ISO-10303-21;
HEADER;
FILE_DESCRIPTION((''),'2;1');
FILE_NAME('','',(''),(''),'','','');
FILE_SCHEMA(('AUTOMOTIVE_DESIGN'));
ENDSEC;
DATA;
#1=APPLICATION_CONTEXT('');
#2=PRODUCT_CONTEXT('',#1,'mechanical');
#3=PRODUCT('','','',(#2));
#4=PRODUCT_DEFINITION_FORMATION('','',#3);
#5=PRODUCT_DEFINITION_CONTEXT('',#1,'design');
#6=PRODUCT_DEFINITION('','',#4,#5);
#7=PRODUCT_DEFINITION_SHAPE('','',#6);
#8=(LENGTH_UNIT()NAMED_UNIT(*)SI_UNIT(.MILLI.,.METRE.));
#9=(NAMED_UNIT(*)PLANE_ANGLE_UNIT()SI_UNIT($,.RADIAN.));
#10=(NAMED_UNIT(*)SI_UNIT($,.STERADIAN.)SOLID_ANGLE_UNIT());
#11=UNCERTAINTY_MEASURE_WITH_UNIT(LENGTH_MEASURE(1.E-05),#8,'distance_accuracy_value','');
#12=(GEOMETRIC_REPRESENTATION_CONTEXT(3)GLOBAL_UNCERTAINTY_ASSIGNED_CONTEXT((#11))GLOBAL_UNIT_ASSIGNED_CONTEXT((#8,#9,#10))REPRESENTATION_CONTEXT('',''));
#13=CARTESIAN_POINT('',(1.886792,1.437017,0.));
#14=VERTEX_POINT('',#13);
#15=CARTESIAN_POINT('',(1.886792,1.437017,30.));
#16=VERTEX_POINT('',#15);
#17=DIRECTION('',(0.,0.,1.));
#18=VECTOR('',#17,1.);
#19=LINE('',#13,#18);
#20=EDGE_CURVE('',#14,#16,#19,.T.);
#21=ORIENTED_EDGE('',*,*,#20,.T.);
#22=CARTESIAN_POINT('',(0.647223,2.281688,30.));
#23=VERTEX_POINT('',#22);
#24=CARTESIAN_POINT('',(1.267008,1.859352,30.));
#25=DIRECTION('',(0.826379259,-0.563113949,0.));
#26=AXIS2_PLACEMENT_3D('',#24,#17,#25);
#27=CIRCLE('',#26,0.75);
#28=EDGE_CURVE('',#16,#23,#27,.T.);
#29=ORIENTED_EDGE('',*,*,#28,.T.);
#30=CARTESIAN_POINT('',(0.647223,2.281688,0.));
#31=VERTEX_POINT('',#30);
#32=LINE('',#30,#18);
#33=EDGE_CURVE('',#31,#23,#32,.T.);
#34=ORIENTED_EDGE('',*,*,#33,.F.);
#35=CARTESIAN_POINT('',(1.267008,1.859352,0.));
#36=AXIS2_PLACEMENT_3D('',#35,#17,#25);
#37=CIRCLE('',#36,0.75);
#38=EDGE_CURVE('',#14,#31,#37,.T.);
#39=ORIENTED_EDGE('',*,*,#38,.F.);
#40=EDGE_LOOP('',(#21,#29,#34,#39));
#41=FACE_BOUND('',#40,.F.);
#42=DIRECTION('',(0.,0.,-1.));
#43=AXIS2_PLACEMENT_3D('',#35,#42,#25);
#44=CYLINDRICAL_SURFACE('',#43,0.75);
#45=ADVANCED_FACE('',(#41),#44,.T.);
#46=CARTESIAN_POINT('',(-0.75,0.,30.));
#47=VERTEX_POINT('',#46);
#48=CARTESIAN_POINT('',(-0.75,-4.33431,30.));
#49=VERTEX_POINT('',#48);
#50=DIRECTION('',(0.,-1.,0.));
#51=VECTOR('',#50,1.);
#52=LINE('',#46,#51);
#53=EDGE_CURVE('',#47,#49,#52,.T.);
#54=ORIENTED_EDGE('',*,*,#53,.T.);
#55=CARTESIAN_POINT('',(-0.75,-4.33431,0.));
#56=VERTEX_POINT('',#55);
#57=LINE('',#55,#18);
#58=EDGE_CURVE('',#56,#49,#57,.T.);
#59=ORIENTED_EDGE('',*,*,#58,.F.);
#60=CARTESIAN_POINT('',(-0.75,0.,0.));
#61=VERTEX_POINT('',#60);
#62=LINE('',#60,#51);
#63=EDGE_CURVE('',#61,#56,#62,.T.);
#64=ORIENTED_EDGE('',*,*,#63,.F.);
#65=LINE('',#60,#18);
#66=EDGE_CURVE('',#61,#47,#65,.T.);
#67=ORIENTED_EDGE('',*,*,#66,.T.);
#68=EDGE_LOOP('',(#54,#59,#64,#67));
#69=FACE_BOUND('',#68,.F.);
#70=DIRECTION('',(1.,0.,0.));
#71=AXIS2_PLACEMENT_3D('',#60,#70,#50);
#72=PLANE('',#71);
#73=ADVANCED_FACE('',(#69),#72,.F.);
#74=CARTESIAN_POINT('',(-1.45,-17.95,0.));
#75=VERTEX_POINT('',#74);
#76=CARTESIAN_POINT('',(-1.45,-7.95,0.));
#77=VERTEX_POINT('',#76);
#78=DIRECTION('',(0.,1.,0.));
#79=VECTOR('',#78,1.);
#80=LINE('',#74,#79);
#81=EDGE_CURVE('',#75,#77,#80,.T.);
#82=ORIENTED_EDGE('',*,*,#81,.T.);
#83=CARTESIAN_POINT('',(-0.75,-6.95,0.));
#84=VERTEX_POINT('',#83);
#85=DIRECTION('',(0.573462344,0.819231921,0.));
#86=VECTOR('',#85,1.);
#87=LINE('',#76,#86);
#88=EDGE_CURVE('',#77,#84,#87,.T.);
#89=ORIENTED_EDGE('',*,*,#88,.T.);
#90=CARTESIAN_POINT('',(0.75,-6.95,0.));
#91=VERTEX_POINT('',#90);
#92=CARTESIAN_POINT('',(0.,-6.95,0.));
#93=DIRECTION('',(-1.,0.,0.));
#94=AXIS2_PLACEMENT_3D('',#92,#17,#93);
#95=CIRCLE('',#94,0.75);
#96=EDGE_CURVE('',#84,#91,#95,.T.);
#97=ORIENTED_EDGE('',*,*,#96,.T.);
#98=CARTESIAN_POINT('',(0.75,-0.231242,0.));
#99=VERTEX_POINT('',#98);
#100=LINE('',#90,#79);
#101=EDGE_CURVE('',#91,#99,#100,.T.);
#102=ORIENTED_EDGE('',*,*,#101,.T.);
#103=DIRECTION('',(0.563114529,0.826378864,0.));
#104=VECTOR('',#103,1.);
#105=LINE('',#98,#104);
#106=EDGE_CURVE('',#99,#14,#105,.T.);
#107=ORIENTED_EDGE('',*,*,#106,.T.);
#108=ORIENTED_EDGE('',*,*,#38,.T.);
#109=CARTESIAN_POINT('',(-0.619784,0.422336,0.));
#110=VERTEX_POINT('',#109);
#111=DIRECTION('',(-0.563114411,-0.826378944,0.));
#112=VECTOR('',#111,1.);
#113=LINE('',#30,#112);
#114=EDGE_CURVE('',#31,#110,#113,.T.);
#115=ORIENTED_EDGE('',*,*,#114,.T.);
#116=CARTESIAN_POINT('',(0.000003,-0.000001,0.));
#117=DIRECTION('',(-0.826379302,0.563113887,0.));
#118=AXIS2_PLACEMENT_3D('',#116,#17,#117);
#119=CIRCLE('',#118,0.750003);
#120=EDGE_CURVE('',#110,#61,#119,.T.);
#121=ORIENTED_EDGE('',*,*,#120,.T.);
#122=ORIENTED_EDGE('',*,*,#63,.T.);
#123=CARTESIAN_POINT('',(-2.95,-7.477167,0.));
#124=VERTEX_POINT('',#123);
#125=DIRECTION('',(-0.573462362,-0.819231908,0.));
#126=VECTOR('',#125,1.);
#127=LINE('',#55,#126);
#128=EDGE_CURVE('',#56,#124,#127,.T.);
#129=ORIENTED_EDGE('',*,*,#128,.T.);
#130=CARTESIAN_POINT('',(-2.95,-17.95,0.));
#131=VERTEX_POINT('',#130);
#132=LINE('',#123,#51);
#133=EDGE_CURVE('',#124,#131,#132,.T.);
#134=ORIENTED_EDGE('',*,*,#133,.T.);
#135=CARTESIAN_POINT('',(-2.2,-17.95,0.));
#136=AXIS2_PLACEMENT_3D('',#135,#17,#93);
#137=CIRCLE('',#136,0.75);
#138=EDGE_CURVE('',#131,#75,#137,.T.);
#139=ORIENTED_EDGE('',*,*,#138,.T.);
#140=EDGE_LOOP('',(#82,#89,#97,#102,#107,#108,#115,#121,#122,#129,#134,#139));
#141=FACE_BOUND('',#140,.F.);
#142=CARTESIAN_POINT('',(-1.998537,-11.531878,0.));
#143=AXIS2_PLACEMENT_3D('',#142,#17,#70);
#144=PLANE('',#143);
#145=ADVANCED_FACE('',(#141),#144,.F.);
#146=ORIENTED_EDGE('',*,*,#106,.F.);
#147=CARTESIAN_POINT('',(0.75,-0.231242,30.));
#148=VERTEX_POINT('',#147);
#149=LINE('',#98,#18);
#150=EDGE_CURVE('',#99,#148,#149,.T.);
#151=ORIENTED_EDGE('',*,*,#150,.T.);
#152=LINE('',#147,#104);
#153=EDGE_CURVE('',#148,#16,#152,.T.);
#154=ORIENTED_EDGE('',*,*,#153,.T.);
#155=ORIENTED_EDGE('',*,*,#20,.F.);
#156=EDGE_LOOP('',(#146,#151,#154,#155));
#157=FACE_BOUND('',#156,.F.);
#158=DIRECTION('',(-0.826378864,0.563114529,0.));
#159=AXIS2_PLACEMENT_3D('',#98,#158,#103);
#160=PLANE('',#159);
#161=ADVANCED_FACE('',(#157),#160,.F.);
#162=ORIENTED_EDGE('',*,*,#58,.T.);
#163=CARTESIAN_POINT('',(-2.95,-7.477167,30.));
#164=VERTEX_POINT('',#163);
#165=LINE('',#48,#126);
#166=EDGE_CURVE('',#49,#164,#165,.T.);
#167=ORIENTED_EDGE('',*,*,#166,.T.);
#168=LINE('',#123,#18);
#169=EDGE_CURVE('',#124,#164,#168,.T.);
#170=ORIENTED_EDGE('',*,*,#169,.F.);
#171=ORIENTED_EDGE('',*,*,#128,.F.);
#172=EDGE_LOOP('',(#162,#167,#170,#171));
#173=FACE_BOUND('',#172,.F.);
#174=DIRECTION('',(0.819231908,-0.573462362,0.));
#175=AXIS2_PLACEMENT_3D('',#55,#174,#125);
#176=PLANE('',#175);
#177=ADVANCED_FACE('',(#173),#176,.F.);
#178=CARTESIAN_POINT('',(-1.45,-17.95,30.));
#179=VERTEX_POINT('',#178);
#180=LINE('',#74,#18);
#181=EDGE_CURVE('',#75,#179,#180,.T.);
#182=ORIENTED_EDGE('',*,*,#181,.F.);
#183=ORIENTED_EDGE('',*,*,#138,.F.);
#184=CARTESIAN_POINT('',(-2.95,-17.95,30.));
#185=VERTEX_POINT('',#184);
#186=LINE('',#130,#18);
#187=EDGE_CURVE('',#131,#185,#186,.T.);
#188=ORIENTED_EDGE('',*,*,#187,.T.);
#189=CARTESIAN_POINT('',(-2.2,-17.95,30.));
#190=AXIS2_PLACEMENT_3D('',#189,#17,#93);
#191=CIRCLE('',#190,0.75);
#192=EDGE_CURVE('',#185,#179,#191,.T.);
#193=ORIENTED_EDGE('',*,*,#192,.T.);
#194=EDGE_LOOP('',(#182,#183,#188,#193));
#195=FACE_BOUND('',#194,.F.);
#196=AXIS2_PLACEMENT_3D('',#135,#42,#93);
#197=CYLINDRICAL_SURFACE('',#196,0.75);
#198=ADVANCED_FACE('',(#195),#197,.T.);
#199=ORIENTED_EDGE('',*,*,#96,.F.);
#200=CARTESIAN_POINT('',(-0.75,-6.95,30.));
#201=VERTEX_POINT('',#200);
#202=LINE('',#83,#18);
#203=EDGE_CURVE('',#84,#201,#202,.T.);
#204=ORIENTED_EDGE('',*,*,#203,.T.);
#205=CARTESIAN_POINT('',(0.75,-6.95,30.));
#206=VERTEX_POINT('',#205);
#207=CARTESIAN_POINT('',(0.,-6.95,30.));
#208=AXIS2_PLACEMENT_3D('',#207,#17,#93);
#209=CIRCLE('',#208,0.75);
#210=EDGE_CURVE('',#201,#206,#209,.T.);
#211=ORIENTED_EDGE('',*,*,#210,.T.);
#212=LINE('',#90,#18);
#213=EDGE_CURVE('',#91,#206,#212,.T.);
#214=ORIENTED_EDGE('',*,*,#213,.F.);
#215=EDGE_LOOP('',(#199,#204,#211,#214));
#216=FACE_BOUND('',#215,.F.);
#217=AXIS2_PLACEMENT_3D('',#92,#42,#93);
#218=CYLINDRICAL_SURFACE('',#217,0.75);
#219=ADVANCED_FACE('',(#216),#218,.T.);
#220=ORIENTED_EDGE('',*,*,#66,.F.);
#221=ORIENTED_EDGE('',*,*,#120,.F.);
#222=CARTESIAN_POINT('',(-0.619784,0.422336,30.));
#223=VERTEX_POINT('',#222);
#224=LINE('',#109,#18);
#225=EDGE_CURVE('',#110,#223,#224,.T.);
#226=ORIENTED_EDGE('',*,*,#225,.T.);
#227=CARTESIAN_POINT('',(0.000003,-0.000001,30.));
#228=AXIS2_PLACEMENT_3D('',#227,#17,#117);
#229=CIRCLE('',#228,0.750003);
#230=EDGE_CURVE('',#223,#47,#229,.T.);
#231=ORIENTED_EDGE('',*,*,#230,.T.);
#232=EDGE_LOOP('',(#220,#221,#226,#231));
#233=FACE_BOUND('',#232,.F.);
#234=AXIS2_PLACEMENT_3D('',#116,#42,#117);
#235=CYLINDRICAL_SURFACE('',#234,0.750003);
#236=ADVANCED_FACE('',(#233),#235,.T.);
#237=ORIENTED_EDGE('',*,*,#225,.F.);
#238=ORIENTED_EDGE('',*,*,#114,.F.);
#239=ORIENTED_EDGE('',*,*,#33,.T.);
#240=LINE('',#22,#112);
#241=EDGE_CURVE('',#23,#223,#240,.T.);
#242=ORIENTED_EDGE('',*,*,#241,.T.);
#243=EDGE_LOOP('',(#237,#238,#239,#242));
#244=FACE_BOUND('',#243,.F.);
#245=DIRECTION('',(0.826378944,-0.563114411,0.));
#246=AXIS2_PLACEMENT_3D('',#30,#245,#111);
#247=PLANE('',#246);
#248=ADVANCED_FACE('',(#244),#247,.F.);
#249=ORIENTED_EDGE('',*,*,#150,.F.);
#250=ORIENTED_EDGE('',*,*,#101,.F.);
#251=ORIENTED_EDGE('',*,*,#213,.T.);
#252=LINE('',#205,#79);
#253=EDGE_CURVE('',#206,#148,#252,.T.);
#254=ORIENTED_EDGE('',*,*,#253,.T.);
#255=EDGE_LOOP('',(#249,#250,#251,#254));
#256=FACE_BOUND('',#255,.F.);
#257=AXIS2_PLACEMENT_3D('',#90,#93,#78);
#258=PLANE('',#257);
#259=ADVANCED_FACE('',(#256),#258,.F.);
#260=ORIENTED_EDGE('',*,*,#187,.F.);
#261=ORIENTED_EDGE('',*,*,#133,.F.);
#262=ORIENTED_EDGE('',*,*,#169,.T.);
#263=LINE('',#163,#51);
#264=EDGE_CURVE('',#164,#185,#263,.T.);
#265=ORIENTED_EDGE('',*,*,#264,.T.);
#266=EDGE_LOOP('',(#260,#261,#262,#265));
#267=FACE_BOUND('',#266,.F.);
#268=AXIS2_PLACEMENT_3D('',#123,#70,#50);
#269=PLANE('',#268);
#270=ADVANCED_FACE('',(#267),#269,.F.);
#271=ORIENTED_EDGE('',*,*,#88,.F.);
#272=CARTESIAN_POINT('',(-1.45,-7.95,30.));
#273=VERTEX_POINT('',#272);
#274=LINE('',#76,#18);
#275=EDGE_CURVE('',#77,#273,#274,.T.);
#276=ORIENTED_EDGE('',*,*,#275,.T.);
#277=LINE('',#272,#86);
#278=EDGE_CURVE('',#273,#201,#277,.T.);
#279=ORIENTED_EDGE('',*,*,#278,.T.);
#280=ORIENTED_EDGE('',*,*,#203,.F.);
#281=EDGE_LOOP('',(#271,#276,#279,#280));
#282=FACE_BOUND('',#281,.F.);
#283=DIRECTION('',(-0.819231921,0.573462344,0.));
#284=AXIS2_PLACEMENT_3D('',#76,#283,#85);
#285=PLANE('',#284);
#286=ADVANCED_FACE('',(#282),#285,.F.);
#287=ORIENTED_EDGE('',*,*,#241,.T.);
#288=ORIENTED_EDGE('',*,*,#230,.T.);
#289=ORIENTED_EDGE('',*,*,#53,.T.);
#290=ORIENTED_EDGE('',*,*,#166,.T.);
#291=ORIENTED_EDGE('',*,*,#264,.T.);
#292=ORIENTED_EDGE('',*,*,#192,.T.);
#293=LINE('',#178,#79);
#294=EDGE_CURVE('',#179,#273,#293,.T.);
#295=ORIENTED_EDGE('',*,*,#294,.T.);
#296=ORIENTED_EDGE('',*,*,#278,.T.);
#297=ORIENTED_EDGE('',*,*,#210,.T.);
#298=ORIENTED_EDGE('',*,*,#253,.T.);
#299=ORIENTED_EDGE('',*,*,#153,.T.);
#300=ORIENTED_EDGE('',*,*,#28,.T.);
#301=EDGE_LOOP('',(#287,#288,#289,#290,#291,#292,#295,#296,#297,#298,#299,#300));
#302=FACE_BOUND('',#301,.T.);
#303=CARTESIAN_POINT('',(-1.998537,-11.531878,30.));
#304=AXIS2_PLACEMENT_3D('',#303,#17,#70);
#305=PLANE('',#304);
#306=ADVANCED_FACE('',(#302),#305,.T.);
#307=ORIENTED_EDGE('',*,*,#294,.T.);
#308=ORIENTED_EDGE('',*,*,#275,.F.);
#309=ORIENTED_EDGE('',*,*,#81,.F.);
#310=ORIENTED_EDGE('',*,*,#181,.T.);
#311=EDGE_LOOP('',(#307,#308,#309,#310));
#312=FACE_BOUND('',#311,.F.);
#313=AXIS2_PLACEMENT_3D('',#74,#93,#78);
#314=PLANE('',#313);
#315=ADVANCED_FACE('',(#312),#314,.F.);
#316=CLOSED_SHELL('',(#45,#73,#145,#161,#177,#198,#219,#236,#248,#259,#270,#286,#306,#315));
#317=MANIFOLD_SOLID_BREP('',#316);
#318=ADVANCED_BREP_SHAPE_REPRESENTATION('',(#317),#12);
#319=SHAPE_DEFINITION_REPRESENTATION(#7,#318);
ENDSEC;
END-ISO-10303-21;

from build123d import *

# Parameters (mm, degrees)
F2_DEPTH = 30
F3_DEPTH = 30


with BuildPart() as f2:
    # F0 (on Top) → F2 (new body)
    with BuildSketch(Plane.XY):
        with BuildLine():
            ThreePointArc((-0.619784, 0.422336), (-0.716707, 0.220977), (-0.75, 0))
            Line((-0.75, 0), (-0.75, -6.95))
            ThreePointArc((-0.75, -6.95), (0, -7.7), (0.75, -6.95))
            Line((0.75, -6.95), (0.75, -0.231242))
            Line((0.75, -0.231242), (1.886792, 1.437017))
            ThreePointArc((1.886792, 1.437017), (1.689343, 2.479137), (0.647223, 2.281688))
            Line((0.647223, 2.281688), (-0.619784, 0.422336))
        make_face()
    extrude(amount=F2_DEPTH)

    # F1 (on Top) → F3 (join, through all)
    with BuildSketch(Plane.XY):
        with BuildLine():
            Line((-1.45, -17.95), (-1.45, -7.95))
            Line((-1.45, -7.95), (-0.75, -6.95))
            Line((-0.75, -6.95), (-0.75, -4.33431))
            Line((-0.75, -4.33431), (-2.95, -7.477167))
            Line((-2.95, -7.477167), (-2.95, -17.95))
            ThreePointArc((-2.95, -17.95), (-2.2, -18.7), (-1.45, -17.95))
        make_face()
    extrude(amount=F3_DEPTH)


solid = f2.part
